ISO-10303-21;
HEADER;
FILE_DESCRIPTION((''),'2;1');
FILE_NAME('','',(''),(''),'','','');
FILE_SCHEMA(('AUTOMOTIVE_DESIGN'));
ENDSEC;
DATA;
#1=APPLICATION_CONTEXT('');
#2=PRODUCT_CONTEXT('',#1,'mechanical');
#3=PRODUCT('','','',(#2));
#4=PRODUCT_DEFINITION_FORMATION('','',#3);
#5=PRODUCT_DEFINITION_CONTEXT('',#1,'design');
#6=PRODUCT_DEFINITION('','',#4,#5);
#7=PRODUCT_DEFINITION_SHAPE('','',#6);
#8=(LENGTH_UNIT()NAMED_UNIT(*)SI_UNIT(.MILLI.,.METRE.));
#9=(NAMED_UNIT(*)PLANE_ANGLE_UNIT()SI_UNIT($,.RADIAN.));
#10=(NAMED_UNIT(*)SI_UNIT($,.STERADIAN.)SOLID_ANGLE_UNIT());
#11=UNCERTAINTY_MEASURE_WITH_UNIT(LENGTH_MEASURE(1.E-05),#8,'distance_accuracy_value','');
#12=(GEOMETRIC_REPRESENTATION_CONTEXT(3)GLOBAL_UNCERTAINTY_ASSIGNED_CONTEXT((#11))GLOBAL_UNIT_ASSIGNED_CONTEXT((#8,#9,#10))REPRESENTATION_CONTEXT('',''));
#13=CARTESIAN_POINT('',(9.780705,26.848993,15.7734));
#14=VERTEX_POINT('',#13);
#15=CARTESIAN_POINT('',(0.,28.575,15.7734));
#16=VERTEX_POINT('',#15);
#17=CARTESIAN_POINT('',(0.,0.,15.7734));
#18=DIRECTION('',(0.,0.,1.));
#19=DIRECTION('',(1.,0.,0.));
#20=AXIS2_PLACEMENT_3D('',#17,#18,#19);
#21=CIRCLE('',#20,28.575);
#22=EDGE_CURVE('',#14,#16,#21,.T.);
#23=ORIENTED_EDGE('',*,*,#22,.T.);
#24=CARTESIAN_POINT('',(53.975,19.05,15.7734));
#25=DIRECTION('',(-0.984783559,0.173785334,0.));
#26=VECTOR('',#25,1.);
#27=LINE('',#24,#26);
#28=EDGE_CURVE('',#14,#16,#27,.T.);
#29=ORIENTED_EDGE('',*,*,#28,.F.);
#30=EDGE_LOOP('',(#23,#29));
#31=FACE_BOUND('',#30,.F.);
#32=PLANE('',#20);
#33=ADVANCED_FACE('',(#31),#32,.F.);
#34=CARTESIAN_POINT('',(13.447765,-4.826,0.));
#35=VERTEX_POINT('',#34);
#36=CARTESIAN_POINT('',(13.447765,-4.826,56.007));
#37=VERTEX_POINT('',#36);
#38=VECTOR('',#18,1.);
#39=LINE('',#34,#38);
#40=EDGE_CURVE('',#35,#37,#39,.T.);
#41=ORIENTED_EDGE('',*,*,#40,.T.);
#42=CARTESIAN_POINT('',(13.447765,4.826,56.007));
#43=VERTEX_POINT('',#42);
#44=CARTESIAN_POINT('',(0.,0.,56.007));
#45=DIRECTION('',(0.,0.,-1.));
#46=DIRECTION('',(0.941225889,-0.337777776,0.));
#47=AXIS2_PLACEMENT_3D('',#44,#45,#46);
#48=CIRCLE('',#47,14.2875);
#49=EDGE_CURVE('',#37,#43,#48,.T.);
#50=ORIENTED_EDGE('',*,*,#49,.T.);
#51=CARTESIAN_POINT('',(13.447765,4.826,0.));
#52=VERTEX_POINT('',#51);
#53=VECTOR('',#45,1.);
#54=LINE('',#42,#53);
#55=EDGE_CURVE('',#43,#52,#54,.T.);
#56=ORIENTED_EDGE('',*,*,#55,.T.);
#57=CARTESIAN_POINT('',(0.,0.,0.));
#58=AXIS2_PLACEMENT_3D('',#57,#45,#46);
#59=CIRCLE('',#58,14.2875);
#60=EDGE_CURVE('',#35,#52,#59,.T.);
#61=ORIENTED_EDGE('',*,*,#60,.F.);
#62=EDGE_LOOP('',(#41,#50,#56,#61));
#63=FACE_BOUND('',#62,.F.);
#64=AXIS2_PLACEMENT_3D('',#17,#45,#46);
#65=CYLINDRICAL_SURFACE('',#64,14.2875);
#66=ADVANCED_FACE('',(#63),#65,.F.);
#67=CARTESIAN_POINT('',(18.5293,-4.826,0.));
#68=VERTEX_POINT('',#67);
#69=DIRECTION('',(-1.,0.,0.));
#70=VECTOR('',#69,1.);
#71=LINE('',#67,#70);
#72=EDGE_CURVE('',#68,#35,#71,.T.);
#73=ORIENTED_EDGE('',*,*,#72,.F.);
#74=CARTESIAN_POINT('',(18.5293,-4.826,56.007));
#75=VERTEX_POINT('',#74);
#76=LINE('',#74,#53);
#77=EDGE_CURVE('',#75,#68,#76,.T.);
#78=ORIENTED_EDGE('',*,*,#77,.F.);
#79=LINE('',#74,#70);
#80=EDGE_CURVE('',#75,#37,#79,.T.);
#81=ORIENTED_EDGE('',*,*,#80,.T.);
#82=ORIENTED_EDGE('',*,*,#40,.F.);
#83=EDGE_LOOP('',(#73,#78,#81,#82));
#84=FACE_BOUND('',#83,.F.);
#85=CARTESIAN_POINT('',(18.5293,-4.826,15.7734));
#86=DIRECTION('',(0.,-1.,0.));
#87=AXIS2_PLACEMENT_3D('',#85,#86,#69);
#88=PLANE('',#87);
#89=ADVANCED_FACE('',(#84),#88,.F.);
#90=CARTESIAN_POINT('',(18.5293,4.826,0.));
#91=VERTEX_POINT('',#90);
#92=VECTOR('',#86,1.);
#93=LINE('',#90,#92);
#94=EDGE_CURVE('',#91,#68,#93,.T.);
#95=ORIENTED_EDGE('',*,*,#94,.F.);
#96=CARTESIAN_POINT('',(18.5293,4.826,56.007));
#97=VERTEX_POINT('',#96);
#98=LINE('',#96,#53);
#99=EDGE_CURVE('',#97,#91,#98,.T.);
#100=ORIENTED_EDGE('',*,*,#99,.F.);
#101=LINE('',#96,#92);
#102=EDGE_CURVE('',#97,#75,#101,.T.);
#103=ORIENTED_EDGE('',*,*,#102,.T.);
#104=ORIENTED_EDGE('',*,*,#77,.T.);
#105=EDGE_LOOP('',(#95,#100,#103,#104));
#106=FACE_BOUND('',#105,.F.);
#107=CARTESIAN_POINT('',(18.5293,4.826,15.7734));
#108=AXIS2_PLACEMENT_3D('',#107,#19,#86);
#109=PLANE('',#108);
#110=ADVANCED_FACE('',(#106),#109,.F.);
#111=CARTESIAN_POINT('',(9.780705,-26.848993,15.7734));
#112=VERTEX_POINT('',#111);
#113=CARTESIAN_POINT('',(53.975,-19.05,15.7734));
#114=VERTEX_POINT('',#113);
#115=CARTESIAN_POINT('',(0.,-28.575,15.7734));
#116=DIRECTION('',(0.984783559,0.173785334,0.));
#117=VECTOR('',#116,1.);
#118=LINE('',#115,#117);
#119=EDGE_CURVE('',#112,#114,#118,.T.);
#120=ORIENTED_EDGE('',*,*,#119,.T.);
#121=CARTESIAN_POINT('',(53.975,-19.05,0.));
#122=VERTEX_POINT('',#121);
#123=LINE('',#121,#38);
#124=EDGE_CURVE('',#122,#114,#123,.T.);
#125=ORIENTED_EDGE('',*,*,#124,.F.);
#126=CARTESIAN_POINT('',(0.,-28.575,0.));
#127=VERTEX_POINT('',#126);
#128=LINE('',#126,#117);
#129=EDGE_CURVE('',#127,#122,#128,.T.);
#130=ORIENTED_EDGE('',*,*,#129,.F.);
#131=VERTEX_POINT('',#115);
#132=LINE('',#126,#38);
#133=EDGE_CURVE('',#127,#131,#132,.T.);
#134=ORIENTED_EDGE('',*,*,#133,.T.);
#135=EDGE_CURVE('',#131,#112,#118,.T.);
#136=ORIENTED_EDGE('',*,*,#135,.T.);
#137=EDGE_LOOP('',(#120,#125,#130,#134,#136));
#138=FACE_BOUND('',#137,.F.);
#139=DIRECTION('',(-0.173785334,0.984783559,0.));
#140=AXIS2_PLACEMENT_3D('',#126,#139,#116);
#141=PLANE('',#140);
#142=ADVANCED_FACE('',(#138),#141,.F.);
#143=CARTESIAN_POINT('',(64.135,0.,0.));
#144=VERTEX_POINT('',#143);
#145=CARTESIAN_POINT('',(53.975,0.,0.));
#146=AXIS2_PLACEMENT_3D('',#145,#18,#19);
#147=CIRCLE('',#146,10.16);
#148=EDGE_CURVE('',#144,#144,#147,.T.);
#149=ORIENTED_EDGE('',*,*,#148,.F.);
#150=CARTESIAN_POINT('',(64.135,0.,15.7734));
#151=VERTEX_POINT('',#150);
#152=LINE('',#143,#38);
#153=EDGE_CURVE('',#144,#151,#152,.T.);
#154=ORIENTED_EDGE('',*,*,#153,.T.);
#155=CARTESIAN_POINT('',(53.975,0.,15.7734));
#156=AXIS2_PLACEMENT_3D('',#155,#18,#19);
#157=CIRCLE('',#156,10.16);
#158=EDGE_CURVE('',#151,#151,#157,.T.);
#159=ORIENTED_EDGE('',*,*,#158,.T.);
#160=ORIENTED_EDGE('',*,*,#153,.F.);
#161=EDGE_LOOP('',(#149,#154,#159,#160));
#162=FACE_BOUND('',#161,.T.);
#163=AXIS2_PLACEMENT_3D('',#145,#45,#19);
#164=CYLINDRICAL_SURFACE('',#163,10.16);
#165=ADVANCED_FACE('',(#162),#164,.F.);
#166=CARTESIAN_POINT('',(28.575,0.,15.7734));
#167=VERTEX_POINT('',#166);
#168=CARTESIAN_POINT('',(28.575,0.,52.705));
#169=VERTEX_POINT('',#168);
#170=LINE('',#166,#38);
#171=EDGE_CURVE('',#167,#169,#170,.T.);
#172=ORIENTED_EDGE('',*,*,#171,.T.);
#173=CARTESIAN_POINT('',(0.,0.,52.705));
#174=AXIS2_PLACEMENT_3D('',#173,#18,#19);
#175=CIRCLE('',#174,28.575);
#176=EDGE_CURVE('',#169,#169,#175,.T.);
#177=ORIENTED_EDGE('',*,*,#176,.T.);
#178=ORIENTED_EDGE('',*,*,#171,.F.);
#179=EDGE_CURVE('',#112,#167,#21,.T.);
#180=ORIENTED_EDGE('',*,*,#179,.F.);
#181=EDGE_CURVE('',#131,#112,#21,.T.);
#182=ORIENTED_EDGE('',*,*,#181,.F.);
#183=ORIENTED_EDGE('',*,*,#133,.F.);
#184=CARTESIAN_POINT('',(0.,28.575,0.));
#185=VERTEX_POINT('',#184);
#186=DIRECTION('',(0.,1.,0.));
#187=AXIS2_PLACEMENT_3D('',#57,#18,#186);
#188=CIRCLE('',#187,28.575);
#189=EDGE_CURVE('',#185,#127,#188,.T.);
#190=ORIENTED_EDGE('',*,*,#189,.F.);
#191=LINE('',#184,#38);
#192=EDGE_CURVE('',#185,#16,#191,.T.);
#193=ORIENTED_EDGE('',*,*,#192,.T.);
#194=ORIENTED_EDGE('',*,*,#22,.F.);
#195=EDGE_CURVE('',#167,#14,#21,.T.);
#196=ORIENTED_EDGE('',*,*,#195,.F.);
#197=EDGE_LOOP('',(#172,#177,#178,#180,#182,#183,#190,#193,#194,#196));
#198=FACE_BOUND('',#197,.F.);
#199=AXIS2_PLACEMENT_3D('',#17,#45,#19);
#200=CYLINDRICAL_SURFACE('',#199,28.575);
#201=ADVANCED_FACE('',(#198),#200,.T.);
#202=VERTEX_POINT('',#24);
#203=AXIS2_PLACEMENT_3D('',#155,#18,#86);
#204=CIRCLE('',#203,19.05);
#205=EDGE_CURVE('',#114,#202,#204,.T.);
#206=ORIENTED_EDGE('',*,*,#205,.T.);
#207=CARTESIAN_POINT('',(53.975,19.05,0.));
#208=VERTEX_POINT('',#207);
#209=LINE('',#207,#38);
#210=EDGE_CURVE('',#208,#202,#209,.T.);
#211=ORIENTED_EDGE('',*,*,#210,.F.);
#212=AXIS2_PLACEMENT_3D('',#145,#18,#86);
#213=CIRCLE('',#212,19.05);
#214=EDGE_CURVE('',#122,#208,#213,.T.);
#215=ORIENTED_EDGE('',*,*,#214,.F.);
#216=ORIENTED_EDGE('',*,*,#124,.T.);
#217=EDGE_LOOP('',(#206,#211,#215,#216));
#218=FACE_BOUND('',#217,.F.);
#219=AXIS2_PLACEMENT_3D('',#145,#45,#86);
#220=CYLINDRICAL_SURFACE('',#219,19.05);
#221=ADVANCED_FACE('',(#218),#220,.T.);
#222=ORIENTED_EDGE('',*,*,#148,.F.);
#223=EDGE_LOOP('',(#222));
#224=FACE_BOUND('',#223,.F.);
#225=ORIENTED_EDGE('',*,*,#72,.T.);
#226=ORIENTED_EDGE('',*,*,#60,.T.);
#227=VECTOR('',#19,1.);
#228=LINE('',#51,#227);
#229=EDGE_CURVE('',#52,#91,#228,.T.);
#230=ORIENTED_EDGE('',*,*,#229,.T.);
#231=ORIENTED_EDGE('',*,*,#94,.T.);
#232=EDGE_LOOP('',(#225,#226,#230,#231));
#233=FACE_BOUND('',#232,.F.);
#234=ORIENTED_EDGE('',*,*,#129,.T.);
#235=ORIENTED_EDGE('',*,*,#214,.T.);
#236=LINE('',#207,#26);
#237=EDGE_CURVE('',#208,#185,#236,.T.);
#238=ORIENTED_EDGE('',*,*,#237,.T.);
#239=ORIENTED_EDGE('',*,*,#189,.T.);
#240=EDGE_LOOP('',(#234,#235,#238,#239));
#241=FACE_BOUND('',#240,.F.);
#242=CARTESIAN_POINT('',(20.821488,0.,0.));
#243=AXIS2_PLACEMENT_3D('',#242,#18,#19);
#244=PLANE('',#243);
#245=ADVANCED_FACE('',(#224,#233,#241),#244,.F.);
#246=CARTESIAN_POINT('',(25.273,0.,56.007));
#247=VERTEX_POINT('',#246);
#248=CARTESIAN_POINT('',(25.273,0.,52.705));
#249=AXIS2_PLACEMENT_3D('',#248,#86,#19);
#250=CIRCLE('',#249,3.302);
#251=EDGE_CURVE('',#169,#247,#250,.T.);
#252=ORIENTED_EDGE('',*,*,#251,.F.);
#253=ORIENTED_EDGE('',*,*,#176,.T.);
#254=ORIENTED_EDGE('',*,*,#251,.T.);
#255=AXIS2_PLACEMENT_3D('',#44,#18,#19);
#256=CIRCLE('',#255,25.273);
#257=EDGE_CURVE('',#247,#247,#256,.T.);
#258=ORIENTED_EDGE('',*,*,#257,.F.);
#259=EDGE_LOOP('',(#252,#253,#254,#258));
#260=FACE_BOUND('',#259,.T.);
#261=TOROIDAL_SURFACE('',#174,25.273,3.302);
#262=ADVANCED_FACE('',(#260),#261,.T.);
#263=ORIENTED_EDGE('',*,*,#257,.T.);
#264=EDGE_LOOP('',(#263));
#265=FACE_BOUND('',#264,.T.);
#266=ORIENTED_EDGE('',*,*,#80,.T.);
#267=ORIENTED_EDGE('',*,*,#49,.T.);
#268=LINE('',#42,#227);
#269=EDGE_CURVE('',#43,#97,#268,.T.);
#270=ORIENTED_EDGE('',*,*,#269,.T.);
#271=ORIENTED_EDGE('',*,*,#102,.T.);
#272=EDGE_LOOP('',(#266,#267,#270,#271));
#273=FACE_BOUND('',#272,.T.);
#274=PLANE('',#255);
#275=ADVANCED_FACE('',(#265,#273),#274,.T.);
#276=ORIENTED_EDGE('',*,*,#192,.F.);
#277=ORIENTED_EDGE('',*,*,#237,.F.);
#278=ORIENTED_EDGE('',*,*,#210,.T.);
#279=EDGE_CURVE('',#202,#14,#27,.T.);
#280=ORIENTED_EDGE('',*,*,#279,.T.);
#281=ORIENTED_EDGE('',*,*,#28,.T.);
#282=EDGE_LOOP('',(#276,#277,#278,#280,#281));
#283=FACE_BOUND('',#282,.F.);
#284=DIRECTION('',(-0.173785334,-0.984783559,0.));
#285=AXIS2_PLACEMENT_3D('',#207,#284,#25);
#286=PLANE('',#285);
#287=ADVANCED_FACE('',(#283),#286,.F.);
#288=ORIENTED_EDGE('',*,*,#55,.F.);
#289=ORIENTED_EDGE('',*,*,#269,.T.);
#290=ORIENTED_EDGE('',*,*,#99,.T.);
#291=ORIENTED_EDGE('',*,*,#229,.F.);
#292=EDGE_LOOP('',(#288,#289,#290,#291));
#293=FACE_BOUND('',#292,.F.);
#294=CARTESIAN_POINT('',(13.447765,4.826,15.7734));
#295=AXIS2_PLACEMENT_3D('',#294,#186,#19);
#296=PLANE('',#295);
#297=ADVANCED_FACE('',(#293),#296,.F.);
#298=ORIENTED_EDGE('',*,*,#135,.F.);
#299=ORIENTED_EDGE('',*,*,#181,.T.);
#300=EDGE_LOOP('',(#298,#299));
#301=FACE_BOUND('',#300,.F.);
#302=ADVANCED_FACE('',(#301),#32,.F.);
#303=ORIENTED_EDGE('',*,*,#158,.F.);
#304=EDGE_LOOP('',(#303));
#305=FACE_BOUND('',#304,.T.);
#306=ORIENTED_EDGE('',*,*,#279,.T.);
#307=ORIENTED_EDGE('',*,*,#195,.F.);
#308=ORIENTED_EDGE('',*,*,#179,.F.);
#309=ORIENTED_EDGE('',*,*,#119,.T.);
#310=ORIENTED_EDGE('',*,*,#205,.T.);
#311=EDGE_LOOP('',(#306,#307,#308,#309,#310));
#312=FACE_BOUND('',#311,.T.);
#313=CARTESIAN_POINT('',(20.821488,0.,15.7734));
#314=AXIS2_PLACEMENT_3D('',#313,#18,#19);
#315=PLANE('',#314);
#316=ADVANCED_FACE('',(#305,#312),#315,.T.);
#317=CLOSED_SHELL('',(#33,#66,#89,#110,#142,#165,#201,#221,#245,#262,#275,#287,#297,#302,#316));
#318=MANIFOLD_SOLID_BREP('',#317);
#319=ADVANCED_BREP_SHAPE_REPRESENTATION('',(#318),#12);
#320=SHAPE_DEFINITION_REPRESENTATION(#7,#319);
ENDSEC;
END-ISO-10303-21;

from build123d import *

# Parameters (mm, degrees)
F0_R     = 10.16
F1_DEPTH = 15.7734
F2_R     = 28.575
F3_DEPTH = 40.2336
F4_R     = 3.302


with BuildPart() as f1:
    # F0 (on Top) → F1 (new body)
    with BuildSketch(Plane.XY):
        with BuildLine():
            Line((53.975, 19.05), (0, 28.575))
            ThreePointArc((0, 28.575), (-28.575, 0), (0, -28.575))
            Line((0, -28.575), (53.975, -19.05))
            ThreePointArc((53.975, -19.05), (73.025, 0), (53.975, 19.05))
        make_face()
        with BuildLine():
            ThreePointArc((13.447765, -4.826), (-14.2875, 0), (13.447765, 4.826))
            Line((13.447765, 4.826), (18.5293, 4.826))
            Line((18.5293, 4.826), (18.5293, -4.826))
            Line((18.5293, -4.826), (13.447765, -4.826))
        make_face(mode=Mode.SUBTRACT)
        with Locations((53.975, 0)):
            Circle(F0_R, mode=Mode.SUBTRACT)
    extrude(amount=F1_DEPTH)

    # F2 (on face) → F3 (join)
    with BuildSketch(Plane.XY.offset(15.7734)):
        Circle(F2_R)
        with BuildLine():
            ThreePointArc((13.447765, -4.826), (-14.2875, 0), (13.447765, 4.826))
            Line((13.447765, 4.826), (18.5293, 4.826))
            Line((18.5293, 4.826), (18.5293, -4.826))
            Line((18.5293, -4.826), (13.447765, -4.826))
        make_face(mode=Mode.SUBTRACT)
    extrude(amount=F3_DEPTH)

    # F4
    f4_edges = [f1.edges().sort_by_distance(p)[0] for p in [
        (-28.575, 0, 56.007),
    ]]
    fillet(f4_edges, radius=F4_R)


solid = f1.part
